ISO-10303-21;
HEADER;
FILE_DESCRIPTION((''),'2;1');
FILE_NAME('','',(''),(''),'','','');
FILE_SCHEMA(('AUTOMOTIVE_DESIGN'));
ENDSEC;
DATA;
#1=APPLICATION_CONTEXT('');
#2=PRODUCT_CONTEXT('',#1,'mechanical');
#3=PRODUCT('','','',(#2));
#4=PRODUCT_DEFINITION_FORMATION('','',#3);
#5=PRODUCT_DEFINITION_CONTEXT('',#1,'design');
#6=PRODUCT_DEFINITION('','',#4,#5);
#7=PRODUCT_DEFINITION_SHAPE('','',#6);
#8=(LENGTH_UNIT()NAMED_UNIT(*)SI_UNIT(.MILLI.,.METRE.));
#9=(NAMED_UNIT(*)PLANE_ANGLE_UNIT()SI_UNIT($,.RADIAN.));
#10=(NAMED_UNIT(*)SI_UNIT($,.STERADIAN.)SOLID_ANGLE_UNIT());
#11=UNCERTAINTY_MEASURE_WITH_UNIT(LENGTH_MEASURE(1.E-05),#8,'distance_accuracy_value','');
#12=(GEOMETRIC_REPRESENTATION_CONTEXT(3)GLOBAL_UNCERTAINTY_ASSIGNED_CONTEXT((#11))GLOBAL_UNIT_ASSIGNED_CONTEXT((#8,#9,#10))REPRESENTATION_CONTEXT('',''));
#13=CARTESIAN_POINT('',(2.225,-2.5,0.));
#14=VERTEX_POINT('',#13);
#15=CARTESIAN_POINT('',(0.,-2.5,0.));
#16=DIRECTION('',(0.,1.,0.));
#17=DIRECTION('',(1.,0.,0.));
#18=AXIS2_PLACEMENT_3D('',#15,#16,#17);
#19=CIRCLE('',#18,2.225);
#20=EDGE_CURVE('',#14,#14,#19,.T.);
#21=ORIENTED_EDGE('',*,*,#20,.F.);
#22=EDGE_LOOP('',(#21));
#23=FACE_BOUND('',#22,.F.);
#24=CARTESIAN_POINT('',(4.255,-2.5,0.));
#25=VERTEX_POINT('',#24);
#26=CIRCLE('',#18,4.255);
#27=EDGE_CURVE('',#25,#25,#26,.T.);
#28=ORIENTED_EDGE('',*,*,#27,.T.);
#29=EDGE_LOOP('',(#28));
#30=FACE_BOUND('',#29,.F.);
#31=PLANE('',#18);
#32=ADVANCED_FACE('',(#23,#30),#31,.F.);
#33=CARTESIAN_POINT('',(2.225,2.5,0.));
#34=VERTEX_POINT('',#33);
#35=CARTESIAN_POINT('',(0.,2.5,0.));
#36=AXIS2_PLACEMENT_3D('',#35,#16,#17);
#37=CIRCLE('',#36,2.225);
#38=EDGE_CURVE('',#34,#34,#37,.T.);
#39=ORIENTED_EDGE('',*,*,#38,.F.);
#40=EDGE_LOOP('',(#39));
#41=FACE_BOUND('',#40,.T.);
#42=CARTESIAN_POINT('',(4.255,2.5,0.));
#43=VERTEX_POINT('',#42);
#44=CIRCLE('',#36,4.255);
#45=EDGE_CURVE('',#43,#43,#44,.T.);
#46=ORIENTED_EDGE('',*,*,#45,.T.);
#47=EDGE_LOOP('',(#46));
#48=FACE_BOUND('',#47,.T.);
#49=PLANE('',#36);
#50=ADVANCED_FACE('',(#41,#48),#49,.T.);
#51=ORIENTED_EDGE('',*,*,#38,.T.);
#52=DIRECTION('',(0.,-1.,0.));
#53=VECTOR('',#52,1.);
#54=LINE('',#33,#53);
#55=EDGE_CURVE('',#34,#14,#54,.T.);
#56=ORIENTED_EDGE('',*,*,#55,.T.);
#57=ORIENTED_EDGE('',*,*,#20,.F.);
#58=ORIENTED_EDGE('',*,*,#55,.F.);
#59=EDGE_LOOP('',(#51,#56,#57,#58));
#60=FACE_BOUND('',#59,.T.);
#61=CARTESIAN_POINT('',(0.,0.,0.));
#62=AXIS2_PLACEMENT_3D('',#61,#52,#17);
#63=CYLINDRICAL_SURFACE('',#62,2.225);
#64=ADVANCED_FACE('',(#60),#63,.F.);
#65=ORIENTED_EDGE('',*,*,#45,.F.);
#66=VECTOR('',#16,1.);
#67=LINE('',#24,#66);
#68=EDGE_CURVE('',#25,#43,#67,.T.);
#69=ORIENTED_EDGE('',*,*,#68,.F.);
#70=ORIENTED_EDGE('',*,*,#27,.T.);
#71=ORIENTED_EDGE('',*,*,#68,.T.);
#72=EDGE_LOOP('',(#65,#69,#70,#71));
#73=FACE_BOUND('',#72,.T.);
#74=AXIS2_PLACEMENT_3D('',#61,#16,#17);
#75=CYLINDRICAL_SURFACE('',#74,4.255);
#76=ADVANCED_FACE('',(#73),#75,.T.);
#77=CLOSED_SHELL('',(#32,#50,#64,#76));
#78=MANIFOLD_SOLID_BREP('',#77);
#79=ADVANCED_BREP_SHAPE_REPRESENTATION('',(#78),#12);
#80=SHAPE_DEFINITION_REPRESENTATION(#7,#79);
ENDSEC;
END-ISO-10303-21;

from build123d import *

# Parameters (mm, degrees)
SZKIC1_R                    = 4.255
SZKIC1_R_2                  = 2.225
DODANIE_WYCI_GNI_CIE1_DEPTH = 2.5


with BuildPart() as part:
    # Szkic1 → Dodanie-wyciągnięcie1 (new body, symmetric)
    with BuildSketch(Plane(origin=(0, 0, 0), x_dir=(1, 0, 0), z_dir=(0, 1, 0))):
        Circle(SZKIC1_R)
        Circle(SZKIC1_R_2, mode=Mode.SUBTRACT)
    extrude(amount=DODANIE_WYCI_GNI_CIE1_DEPTH, both=True)


solid = part.part
